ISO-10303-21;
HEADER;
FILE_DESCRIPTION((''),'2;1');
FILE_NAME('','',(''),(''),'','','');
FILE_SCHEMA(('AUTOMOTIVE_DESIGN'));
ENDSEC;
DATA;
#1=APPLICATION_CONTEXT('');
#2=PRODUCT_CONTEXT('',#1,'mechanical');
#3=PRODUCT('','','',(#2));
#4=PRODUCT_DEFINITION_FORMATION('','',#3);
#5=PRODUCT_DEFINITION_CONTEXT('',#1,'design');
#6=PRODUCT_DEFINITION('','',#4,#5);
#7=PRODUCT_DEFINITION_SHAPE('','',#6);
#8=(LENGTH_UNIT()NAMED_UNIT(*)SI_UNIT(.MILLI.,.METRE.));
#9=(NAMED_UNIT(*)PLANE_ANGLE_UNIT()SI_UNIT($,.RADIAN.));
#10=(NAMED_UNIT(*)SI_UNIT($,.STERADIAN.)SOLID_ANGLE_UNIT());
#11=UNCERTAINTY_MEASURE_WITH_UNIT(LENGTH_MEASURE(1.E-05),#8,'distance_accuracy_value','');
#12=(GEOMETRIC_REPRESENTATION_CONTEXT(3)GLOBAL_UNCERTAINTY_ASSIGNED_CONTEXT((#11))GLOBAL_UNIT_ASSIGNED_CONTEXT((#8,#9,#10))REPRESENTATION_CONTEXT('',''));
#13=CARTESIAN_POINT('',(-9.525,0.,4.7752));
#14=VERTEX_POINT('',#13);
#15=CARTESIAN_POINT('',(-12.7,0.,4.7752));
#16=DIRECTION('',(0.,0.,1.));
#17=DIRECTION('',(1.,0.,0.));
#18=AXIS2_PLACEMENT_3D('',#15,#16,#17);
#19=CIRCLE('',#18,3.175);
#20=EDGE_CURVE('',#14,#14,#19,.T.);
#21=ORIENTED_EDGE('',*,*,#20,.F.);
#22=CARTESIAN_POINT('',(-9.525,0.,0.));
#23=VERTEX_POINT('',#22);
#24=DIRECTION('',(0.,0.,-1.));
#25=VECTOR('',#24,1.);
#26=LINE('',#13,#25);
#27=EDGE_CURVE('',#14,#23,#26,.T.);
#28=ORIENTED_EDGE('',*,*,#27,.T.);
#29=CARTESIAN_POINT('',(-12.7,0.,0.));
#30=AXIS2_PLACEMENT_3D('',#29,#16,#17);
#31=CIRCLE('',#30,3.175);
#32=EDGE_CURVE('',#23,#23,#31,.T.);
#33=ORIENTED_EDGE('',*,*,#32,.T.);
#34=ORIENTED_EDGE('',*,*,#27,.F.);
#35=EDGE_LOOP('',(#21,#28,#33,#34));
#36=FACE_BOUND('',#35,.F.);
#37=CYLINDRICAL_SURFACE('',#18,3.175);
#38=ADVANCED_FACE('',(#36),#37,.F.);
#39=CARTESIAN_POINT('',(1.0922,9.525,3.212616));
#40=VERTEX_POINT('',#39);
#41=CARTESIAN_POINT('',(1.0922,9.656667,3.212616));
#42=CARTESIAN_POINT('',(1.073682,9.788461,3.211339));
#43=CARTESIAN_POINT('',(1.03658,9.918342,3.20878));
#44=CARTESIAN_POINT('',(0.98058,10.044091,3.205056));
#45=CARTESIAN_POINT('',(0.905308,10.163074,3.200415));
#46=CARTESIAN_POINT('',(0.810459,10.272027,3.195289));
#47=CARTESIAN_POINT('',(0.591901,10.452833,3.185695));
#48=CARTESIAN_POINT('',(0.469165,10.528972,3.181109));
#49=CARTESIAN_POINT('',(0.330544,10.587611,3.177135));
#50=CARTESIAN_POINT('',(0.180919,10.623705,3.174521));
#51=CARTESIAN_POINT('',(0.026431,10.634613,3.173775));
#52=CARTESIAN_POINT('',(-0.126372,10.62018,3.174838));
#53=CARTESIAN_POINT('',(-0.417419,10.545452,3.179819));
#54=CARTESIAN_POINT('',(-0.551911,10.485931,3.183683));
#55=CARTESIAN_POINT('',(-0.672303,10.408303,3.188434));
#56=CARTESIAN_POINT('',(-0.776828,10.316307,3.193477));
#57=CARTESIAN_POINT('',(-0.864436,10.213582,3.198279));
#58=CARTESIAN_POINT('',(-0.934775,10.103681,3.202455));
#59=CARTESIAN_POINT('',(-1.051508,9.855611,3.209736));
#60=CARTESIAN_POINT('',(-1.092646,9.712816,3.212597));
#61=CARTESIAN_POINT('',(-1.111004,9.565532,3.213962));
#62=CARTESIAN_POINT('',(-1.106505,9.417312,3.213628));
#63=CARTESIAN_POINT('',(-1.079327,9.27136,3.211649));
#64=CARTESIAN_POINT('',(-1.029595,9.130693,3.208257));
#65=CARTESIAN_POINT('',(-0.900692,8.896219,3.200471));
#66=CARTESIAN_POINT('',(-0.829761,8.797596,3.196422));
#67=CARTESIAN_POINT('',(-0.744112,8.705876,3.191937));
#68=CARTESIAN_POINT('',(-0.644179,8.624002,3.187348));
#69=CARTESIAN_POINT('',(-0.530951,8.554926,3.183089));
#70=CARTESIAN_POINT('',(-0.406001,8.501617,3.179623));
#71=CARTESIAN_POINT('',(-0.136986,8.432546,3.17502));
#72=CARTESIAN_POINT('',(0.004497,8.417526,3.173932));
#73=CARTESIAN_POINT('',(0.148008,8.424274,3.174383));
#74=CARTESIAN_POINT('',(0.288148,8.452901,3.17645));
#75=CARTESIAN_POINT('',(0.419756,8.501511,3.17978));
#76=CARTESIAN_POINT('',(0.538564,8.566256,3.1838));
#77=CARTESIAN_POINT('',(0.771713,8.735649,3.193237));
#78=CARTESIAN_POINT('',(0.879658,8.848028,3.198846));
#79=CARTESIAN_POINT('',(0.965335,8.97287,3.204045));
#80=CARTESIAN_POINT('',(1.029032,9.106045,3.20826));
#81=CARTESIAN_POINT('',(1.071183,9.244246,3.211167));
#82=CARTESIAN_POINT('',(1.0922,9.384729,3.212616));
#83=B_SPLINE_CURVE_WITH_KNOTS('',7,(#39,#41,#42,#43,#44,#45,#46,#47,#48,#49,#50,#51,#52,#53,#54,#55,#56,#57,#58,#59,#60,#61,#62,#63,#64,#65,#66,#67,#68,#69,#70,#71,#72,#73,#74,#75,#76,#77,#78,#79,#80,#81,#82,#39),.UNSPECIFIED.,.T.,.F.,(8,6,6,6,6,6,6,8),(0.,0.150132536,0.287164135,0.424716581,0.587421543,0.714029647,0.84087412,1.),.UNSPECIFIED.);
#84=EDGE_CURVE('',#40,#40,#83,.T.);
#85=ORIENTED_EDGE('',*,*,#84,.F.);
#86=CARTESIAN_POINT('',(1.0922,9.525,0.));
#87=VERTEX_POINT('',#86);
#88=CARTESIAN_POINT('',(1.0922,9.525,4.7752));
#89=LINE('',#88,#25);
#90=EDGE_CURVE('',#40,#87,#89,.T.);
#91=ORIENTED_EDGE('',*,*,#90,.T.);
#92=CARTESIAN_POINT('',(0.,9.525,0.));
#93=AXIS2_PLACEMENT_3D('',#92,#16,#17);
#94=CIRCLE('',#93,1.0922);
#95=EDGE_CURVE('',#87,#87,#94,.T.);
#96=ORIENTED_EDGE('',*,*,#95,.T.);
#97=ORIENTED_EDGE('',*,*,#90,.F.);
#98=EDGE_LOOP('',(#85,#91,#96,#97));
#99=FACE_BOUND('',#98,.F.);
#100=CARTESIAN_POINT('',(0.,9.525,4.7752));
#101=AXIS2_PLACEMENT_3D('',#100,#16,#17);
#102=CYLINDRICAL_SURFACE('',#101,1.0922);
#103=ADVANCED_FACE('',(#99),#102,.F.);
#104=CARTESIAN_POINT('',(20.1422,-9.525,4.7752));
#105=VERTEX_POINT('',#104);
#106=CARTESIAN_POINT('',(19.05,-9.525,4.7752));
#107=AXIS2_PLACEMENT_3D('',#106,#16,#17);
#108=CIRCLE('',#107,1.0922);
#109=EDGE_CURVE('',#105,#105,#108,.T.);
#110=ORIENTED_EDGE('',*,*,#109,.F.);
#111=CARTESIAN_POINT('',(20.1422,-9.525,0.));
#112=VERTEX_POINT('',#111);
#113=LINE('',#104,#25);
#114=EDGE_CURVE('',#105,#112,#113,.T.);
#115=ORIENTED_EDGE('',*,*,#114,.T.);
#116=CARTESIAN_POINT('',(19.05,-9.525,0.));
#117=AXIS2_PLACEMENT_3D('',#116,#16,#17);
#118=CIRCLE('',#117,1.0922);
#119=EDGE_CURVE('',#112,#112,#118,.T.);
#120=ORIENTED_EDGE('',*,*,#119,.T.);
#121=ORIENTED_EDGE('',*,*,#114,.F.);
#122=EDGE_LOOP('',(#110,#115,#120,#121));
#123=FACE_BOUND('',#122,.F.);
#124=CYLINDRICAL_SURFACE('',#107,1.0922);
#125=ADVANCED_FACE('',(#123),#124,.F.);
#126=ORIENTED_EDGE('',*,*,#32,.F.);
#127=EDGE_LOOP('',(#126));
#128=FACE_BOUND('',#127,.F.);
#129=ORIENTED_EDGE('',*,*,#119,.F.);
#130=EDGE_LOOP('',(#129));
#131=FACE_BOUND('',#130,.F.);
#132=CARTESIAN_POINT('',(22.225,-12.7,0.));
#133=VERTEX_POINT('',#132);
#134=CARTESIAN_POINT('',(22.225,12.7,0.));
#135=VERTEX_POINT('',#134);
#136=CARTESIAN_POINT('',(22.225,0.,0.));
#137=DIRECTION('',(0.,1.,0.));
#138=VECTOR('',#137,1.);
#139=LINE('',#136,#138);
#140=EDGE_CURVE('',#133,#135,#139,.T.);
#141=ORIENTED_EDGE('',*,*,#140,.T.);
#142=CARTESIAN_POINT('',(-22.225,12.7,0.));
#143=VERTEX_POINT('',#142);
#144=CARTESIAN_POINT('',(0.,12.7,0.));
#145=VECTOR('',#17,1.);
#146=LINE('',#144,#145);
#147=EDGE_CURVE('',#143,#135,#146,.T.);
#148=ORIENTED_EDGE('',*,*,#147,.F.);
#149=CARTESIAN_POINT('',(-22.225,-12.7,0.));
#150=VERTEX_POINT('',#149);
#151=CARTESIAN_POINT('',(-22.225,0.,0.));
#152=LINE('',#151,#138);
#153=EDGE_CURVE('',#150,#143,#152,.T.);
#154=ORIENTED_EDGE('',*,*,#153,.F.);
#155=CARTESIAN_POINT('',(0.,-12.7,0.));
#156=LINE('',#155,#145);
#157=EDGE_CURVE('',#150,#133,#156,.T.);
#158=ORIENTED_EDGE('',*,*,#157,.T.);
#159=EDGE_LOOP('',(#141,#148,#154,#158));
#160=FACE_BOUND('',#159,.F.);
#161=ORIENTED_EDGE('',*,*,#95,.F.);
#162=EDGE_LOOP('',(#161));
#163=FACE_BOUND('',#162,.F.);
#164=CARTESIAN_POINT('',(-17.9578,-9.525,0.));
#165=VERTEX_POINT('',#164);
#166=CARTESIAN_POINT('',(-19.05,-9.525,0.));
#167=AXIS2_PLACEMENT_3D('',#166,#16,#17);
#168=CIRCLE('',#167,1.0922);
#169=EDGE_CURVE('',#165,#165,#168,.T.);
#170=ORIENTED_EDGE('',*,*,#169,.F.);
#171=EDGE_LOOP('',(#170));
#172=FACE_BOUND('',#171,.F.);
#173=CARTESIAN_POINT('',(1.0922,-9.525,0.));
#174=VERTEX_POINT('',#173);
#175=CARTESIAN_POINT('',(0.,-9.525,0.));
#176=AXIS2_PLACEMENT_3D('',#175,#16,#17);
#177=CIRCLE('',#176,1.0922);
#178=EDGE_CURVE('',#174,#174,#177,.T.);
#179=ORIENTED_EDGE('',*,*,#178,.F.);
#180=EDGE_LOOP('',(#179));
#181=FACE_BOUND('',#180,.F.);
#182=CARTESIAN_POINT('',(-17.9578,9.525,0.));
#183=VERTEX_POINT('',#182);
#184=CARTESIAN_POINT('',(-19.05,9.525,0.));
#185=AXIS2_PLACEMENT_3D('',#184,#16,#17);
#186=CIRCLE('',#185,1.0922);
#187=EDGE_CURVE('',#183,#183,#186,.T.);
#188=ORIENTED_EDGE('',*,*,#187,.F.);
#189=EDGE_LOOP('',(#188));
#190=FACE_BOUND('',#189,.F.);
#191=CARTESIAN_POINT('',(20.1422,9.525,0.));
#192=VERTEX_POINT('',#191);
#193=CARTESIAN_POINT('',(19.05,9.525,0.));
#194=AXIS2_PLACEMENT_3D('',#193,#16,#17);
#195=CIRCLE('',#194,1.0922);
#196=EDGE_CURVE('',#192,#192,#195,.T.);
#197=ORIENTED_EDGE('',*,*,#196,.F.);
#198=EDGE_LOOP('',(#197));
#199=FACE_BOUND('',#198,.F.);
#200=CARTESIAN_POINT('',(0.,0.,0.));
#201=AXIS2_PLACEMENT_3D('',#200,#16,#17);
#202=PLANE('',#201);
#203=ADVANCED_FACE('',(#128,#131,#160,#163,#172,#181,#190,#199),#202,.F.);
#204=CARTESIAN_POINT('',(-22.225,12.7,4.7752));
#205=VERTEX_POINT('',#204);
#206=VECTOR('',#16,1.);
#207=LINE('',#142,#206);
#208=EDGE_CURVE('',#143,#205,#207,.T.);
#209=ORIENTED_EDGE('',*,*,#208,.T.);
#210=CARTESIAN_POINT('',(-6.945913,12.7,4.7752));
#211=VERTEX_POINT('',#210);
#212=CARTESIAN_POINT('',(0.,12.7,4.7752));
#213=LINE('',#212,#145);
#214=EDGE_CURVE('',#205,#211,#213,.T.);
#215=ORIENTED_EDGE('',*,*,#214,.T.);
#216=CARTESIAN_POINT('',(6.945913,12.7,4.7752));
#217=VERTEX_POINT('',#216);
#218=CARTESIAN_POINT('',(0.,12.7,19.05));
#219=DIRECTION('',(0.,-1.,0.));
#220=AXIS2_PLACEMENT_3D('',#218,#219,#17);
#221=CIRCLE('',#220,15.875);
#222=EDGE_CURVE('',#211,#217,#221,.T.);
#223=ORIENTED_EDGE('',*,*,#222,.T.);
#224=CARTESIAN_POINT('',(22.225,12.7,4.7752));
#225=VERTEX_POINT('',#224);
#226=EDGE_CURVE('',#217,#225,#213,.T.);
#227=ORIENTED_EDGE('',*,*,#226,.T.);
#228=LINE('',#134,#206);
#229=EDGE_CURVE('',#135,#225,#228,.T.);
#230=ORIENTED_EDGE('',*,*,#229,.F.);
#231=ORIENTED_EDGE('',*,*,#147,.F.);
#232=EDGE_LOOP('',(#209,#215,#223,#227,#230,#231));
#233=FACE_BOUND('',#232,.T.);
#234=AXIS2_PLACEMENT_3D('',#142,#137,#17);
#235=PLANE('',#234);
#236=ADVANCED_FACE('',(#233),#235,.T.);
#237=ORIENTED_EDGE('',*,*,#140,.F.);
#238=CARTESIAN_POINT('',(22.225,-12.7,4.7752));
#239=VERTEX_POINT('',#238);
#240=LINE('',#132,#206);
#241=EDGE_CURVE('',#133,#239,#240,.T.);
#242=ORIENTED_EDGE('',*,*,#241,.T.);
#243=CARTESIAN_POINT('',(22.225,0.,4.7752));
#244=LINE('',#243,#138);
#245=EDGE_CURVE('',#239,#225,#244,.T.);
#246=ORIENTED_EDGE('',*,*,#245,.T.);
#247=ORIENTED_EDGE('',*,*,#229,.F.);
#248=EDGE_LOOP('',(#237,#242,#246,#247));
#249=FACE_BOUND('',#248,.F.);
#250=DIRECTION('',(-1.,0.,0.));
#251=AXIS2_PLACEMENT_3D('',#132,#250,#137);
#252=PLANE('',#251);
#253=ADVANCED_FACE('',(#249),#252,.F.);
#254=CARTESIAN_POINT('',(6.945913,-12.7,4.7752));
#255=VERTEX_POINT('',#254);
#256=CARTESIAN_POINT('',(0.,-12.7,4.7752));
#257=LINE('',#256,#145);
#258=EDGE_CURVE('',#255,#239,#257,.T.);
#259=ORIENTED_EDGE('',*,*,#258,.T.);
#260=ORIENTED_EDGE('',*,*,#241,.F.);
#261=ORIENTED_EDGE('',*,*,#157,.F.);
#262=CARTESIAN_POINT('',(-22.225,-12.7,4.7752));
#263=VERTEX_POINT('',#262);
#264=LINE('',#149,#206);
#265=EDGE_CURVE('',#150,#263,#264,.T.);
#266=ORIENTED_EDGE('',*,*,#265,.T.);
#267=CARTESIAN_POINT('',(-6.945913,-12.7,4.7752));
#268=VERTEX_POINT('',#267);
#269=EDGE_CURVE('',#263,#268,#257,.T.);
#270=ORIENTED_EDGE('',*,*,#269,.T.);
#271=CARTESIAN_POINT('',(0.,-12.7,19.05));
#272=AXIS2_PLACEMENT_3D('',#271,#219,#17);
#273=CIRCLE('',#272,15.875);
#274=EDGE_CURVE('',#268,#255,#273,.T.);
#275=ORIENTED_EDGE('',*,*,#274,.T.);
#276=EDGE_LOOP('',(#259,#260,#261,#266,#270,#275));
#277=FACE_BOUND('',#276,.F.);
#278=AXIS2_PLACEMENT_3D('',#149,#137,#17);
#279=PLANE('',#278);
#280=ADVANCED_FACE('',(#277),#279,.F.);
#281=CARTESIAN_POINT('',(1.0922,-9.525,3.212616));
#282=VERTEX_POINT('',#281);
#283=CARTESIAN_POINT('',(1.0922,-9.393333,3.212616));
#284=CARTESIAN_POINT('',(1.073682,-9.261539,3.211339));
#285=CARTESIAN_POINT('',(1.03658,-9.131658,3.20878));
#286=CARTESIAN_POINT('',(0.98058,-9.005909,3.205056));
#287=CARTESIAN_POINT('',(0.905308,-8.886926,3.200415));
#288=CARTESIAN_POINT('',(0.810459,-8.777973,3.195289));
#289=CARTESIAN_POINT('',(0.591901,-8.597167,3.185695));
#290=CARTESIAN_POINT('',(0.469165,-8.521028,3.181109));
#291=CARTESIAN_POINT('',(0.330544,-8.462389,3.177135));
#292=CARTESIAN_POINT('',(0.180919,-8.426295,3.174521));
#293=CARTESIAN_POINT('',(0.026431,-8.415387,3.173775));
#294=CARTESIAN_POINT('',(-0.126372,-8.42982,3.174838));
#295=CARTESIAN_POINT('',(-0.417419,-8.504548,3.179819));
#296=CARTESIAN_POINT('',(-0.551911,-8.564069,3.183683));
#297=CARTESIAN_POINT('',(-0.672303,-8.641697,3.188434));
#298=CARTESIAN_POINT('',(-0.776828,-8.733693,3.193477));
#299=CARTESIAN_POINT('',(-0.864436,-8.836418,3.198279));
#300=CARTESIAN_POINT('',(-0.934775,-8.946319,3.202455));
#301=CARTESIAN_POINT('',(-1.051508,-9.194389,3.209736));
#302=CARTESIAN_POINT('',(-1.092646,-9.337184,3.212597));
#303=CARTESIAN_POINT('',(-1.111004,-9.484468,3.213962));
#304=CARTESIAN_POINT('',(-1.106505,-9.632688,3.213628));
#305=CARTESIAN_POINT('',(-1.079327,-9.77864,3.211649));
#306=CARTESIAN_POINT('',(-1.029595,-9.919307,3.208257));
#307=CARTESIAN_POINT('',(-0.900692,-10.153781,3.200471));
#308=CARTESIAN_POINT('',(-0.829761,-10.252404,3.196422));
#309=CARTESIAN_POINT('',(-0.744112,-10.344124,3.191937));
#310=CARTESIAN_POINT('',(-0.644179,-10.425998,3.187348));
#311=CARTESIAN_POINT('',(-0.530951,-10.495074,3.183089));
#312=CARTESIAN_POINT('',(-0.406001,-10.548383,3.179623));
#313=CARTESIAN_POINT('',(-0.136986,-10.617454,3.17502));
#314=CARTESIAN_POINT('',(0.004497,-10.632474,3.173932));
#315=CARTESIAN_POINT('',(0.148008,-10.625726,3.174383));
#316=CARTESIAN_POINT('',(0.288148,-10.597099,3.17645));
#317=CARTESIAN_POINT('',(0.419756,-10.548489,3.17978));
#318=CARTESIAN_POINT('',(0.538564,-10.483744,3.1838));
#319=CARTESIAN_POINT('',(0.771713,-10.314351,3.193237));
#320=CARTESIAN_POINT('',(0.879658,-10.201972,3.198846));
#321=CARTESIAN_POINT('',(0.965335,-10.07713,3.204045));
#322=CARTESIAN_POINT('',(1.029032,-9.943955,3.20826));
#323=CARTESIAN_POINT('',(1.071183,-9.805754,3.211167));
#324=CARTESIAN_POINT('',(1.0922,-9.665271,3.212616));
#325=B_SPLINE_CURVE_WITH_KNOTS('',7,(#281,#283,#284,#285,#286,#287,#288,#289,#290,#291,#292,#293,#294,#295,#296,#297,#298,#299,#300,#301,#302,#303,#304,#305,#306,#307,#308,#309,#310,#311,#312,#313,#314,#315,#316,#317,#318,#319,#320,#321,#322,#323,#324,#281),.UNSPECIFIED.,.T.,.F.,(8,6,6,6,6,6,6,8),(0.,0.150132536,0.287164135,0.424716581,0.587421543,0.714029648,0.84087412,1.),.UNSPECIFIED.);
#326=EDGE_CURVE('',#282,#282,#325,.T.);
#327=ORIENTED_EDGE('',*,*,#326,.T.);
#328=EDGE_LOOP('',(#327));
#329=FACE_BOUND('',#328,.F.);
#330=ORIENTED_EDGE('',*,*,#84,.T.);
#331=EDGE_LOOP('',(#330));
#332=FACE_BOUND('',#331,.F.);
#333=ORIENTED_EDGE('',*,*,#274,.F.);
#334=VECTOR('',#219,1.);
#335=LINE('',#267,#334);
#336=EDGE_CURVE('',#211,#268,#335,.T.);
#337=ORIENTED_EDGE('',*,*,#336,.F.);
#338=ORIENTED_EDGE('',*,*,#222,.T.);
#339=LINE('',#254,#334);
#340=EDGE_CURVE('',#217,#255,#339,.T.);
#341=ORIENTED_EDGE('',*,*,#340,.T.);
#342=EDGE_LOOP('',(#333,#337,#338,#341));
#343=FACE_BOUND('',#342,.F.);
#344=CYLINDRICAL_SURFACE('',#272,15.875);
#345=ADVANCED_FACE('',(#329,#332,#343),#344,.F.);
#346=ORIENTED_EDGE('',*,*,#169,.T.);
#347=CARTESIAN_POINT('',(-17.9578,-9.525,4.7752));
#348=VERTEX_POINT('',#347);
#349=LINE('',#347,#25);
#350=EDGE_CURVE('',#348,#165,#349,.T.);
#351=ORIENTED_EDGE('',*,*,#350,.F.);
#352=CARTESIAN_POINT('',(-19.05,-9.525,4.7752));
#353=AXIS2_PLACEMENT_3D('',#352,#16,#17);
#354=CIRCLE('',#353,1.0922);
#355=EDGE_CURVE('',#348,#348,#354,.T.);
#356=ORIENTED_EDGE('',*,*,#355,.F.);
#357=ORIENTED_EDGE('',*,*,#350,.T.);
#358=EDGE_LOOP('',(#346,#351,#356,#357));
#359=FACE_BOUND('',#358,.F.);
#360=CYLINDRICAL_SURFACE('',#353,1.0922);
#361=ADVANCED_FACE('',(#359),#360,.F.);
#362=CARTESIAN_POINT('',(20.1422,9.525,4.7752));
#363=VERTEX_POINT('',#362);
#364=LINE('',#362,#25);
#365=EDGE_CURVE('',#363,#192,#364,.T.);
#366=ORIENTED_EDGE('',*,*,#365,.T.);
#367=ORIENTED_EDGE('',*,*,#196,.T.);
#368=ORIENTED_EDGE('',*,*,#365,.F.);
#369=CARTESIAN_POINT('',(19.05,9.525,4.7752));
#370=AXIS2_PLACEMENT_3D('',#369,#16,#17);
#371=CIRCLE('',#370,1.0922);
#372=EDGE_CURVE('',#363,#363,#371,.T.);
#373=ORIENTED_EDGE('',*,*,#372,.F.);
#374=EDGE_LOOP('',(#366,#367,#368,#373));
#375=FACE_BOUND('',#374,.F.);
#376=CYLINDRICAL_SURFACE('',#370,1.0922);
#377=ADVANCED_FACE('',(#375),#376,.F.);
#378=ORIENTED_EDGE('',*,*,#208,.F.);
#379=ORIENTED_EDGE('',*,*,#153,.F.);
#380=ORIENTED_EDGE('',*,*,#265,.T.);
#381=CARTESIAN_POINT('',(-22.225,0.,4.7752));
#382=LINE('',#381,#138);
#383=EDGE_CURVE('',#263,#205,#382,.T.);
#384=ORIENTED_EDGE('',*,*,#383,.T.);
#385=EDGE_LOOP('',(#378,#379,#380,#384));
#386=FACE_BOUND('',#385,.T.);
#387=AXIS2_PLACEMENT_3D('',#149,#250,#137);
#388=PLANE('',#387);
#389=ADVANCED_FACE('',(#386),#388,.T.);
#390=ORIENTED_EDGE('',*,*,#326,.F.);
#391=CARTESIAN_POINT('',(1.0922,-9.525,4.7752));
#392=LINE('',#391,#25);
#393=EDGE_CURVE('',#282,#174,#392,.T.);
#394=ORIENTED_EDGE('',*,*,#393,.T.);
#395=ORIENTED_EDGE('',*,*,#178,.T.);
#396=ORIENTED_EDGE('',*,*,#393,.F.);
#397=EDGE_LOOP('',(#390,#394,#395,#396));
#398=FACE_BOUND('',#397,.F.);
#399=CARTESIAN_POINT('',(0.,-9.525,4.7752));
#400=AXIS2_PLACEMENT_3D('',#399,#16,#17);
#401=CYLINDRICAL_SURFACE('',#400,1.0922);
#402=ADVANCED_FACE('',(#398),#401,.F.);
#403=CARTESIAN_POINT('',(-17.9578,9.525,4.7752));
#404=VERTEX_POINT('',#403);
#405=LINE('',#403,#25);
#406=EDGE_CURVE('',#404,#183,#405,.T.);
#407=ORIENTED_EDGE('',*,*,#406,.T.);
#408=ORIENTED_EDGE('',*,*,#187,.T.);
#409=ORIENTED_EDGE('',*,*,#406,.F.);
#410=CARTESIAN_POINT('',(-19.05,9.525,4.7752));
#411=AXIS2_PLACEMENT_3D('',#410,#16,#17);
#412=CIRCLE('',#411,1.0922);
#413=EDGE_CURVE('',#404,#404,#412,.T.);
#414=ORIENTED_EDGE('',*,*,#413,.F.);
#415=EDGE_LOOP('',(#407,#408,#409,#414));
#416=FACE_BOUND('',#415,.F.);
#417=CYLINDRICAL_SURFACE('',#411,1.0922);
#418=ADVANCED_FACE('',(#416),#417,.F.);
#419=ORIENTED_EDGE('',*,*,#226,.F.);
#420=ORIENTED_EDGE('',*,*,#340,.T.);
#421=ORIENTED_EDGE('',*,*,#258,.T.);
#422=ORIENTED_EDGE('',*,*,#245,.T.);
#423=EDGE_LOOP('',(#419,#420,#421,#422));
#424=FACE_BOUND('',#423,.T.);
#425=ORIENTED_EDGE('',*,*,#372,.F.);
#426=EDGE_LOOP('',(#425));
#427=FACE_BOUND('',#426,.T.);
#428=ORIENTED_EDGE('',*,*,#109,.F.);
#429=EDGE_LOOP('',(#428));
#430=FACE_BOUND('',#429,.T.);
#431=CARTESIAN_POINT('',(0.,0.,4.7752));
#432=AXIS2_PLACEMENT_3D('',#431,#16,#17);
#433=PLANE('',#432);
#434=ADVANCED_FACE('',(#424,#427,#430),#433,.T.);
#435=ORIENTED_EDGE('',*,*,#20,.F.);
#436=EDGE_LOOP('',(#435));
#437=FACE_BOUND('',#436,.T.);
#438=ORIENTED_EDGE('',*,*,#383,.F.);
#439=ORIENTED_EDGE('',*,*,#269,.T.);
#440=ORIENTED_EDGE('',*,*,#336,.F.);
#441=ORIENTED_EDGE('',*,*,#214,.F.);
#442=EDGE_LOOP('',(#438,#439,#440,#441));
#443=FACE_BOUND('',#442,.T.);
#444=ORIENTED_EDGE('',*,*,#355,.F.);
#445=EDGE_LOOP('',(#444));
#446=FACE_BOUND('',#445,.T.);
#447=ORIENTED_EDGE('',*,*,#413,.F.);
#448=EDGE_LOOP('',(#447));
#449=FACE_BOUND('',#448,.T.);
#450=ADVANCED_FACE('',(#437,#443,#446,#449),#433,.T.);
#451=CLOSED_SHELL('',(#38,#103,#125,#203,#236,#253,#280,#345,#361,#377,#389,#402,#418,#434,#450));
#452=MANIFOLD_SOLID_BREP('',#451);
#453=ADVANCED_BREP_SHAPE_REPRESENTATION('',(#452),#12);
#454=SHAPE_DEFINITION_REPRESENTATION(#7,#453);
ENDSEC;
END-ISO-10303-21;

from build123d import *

# Parameters (mm, degrees)
F0_W     = 44.45
F0_H     = 25.4
F1_DEPTH = 4.7752
F2_R     = 1.0922
F2_R_2   = 3.175
F3_DEPTH = 4.7762
F4_R     = 15.875
F5_DEPTH = 25.401


with BuildPart() as f1:
    # F0 (on Top) → F1 (new body)
    with BuildSketch(Plane.XY):
        Rectangle(F0_W, F0_H)
    extrude(amount=F1_DEPTH)

    # F2 (on face) → F3 (cut, through all)
    with BuildSketch(Plane.XY.offset(4.7752)):
        with Locations((-19.05, 9.525)):
            Circle(F2_R)
        with Locations((19.05, 9.525)):
            Circle(F2_R)
        with Locations((19.05, -9.525)):
            Circle(F2_R)
        with Locations((-19.05, -9.525)):
            Circle(F2_R)
        with Locations((-12.7, 0)):
            Circle(F2_R_2)
        with Locations((0, 9.525)):
            Circle(F2_R)
        with Locations((0, -9.525)):
            Circle(F2_R)
    extrude(amount=-F3_DEPTH, mode=Mode.SUBTRACT)

    # F4 (on face) → F5 (cut, through all)
    with BuildSketch(Plane.XZ.offset(12.7)):
        with Locations((0, 19.05)):
            Circle(F4_R)
    extrude(amount=-F5_DEPTH, mode=Mode.SUBTRACT)


solid = f1.part
